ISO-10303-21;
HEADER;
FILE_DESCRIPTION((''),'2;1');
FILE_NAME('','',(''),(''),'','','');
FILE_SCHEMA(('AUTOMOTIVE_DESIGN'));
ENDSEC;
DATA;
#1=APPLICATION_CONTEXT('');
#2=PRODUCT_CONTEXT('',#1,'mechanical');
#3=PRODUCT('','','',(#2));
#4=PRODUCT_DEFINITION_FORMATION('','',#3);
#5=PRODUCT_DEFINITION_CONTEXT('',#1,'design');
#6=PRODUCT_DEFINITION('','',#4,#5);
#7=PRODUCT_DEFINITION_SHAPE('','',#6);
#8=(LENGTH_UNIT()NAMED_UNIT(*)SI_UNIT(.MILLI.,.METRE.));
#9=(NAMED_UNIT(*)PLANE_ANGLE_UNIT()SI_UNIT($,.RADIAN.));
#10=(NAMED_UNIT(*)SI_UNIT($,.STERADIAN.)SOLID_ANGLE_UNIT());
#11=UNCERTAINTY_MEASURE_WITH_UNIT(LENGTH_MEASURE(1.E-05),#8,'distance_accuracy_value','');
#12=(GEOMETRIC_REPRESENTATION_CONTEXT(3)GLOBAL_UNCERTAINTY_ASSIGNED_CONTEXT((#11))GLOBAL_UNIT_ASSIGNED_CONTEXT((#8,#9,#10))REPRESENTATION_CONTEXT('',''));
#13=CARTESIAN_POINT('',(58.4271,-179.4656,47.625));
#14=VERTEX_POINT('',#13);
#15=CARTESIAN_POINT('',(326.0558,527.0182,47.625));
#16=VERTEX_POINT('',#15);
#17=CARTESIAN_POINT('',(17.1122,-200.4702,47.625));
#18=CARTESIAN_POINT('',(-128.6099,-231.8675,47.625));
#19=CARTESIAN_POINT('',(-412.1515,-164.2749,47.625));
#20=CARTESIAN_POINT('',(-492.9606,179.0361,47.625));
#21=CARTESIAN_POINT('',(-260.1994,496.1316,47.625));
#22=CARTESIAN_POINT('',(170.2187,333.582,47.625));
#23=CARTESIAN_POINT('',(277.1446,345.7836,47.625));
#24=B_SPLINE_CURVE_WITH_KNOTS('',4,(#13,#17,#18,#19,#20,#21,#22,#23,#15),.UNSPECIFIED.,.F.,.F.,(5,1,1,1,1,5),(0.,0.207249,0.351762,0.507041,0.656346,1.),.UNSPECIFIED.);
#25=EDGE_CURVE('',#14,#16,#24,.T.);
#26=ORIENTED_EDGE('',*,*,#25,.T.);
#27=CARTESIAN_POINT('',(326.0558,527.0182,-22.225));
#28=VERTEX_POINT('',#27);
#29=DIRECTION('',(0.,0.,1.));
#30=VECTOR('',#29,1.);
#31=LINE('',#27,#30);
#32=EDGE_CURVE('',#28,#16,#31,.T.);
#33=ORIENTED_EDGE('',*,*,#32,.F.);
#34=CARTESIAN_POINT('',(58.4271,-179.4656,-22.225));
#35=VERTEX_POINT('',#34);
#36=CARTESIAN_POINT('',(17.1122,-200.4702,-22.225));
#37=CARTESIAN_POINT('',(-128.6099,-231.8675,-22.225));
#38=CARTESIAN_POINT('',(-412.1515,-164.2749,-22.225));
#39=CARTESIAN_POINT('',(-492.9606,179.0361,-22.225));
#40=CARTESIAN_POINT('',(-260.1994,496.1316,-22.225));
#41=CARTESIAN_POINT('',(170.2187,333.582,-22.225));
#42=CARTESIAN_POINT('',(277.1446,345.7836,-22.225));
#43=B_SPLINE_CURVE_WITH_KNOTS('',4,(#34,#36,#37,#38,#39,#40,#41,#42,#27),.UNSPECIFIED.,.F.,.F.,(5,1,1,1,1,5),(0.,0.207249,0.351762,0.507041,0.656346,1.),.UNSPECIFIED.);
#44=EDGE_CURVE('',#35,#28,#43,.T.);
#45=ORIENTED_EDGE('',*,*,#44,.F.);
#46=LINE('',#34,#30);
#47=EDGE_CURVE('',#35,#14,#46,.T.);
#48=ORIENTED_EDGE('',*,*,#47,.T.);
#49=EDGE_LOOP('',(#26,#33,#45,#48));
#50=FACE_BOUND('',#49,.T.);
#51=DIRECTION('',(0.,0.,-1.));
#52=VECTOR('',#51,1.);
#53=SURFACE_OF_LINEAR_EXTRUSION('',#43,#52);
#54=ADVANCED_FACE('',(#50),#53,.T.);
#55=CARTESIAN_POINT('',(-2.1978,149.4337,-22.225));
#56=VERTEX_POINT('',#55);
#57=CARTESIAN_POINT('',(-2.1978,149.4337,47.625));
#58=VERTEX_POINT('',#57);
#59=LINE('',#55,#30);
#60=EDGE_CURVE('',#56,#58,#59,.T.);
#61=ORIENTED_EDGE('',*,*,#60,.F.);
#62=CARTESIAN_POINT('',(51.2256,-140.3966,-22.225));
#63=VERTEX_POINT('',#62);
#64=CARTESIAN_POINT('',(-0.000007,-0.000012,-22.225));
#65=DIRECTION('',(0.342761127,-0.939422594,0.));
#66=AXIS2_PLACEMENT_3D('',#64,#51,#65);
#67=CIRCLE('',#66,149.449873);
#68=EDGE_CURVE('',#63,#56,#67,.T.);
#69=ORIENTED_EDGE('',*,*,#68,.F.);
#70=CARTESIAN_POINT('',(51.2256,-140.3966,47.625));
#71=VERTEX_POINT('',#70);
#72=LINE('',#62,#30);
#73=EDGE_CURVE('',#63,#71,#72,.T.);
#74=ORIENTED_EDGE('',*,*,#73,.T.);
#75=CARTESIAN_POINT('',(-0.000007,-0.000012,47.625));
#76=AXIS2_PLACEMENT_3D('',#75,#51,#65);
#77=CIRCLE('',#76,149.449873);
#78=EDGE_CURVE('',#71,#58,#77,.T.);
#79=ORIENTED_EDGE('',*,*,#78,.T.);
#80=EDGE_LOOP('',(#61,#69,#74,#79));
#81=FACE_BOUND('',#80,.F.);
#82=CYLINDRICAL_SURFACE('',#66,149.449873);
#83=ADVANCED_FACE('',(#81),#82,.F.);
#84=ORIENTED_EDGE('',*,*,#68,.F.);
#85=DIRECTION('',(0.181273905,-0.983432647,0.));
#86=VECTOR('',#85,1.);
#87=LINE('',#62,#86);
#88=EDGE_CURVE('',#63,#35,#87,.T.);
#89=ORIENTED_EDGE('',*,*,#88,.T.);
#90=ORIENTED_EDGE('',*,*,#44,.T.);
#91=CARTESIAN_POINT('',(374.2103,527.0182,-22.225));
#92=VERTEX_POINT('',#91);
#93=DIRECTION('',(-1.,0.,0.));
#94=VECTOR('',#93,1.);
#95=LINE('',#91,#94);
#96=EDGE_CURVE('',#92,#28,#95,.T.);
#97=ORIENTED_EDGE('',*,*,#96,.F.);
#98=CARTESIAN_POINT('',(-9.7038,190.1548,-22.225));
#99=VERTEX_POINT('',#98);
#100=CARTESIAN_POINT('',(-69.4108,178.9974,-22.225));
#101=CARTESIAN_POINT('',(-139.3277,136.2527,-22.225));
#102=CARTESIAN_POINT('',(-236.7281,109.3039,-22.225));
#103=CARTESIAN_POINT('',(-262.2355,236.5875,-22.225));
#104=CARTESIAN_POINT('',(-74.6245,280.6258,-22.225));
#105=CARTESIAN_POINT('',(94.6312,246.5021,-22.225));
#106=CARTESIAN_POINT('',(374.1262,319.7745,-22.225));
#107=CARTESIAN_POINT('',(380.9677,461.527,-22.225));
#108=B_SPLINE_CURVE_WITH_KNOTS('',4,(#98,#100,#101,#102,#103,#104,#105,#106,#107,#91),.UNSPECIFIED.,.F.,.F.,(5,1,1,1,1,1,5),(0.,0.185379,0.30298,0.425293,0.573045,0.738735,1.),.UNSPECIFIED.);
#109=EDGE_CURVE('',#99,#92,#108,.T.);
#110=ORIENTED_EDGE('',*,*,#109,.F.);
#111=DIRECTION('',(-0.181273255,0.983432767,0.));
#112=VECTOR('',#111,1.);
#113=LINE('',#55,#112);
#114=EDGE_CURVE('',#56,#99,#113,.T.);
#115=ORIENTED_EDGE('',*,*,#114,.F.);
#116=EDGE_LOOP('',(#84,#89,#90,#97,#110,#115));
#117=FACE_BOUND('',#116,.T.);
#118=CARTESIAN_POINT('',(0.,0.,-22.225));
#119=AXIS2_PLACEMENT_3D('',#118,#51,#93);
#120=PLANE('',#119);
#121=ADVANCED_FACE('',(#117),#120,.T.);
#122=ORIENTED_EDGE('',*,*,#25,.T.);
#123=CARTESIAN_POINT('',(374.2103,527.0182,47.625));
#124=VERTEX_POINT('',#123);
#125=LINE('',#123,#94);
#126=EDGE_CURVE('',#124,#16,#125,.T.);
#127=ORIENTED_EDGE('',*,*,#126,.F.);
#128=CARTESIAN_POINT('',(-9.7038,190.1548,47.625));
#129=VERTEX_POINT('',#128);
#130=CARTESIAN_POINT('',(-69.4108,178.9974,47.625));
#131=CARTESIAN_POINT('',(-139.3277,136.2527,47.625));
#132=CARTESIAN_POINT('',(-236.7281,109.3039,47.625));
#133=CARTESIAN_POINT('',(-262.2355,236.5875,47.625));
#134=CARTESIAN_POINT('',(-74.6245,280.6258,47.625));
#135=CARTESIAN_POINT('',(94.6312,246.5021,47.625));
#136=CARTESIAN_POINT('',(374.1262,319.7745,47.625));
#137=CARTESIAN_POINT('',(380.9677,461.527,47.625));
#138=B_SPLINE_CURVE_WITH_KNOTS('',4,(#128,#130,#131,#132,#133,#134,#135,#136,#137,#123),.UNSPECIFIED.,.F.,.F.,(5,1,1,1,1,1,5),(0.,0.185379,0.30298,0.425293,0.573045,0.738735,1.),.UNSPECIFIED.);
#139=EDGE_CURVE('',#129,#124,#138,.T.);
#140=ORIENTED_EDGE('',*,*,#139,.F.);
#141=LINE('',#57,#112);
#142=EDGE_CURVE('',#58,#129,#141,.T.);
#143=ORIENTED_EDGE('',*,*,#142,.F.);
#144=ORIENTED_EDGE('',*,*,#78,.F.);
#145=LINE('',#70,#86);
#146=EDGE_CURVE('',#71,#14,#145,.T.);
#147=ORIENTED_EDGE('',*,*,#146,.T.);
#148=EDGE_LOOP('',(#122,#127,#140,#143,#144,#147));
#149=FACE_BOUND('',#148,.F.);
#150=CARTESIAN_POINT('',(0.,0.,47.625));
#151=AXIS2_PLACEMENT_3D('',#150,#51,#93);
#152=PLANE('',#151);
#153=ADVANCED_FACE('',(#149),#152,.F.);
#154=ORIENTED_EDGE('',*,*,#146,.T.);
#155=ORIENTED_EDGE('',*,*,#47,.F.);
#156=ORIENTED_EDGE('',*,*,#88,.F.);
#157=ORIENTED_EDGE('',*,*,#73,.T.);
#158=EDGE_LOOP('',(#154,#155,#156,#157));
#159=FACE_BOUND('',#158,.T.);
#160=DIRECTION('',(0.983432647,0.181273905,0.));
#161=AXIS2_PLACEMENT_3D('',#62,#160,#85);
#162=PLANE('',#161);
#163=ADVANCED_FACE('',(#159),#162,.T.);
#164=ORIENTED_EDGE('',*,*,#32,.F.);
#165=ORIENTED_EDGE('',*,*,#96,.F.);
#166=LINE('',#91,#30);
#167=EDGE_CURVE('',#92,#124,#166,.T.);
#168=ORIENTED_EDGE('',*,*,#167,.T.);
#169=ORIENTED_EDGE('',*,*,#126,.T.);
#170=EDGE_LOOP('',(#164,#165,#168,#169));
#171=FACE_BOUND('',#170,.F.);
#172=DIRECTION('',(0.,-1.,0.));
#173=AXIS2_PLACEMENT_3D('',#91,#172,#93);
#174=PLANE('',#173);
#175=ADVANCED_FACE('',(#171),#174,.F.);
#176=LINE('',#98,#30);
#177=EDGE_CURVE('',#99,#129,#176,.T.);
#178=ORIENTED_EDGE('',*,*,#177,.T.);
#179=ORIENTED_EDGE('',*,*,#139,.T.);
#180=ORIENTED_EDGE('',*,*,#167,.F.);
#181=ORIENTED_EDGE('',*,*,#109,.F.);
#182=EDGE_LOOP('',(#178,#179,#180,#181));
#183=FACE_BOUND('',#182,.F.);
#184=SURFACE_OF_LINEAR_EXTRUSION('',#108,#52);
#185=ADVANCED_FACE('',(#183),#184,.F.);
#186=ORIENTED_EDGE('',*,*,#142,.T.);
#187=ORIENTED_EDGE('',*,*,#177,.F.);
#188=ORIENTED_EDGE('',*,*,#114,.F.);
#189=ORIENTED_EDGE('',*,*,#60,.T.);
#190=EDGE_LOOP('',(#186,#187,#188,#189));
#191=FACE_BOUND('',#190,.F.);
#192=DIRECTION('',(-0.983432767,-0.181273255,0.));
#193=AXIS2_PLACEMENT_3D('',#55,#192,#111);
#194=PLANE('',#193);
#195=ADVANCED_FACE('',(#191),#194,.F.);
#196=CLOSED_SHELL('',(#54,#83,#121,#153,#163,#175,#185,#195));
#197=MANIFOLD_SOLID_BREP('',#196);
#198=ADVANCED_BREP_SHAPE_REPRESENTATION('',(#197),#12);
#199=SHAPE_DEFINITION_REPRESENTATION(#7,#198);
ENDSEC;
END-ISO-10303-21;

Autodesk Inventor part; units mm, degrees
ref_plane "YZ Plane" through (0, 0, 0) normal (1, 0, 0) x (0, 1, 0)
ref_plane "XZ Plane" through (0, 0, 0) normal (0, 1, 0) x (-1, 0, 0)
ref_plane "XY Plane" through (0, 0, 0) normal (0, 0, 1) x (1, 0, 0)
ref_plane "Work Plane1" through (0, 0, -22.225) normal (0, 0, -1) x (-1, 0, 0)
sketch "Sketch1" plane through (0, 0, -22.225) normal (0, 0, -1) x (-1, 0, 0)
  arc A0 (-51.2256, -140.3966) -> (2.1978, 149.4337) centre (0, 0) ccw
  line L0 (-66.8621, -225.227) -> (19.0401, 240.8055) construction
  line L1 (-51.2256, -140.3966) -> (-58.4271, -179.4656)
  line L2 (2.1978, 149.4337) -> (9.7038, 190.1548)
  spline S0 degree 4 poles (-58.4271, -179.4656) (-17.1122, -200.4702) (128.6099, -231.8675) (412.1515, -164.2749) (492.9606, 179.0361) (260.1994, 496.1316) (-170.2187, 333.582) (-277.1446, 345.7836) (-326.0558, 527.0182) knots 0 0 0 0 0 0.207249 0.351762 0.507041 0.656346 1 1 1 1 1
  spline S1 degree 4 poles (9.7038, 190.1548) (69.4108, 178.9974) (139.3277, 136.2527) (236.7281, 109.3039) (262.2355, 236.5875) (74.6245, 280.6258) (-94.6312, 246.5021) (-374.1262, 319.7745) (-380.9677, 461.527) (-374.2103, 527.0182) knots 0 0 0 0 0 0.185379 0.30298 0.425293 0.573045 0.738735 1 1 1 1 1
  line L3 (-374.2103, 527.0182) -> (-326.0558, 527.0182)
  line L4 (-151.1409, -132.3296) -> (34.2867, -226.6016) construction
  arc A1 (-111.1953, -129.4126) -> (13.1065, -192.6081) centre (-0.5305, -65.5864) ccw construction
  line L5 (-97.3852, 210.1664) -> (116.7928, 170.1432) construction
  arc A2 (89.0312, 162.282) -> (-74.336, 192.8102) centre (-40.9173, -80.7364) ccw construction
  line L6 (-382.299, 448.6249) -> (-366.1215, 605.4116) construction
  arc A3 (-363.4012, 588.651) -> (-376.2136, 464.4769) centre (65.754, 481.6221) ccw construction
  point P0 (106.1828, -206.2675)
  point P1 (367.611, -96.7934)
  point P2 (440.7466, 164.6352)
  point P3 (288.479, 360.7138)
  point P4 (-18.3261, 379.3813)
  point P5 (226.3741, 149.4343)
  point P6 (236.7103, 200.4771)
  point P7 (130.7305, 260.0994)
  point P8 (-74.3758, 268.7935)
  point P9 (-326.0558, 360.7121)
  point P10 (164.2674, 138.3717)
  point P11 (-222.0336, 379.38)
extrude "Extrusion1" add sketch "Sketch1" against normal blind 69.85
